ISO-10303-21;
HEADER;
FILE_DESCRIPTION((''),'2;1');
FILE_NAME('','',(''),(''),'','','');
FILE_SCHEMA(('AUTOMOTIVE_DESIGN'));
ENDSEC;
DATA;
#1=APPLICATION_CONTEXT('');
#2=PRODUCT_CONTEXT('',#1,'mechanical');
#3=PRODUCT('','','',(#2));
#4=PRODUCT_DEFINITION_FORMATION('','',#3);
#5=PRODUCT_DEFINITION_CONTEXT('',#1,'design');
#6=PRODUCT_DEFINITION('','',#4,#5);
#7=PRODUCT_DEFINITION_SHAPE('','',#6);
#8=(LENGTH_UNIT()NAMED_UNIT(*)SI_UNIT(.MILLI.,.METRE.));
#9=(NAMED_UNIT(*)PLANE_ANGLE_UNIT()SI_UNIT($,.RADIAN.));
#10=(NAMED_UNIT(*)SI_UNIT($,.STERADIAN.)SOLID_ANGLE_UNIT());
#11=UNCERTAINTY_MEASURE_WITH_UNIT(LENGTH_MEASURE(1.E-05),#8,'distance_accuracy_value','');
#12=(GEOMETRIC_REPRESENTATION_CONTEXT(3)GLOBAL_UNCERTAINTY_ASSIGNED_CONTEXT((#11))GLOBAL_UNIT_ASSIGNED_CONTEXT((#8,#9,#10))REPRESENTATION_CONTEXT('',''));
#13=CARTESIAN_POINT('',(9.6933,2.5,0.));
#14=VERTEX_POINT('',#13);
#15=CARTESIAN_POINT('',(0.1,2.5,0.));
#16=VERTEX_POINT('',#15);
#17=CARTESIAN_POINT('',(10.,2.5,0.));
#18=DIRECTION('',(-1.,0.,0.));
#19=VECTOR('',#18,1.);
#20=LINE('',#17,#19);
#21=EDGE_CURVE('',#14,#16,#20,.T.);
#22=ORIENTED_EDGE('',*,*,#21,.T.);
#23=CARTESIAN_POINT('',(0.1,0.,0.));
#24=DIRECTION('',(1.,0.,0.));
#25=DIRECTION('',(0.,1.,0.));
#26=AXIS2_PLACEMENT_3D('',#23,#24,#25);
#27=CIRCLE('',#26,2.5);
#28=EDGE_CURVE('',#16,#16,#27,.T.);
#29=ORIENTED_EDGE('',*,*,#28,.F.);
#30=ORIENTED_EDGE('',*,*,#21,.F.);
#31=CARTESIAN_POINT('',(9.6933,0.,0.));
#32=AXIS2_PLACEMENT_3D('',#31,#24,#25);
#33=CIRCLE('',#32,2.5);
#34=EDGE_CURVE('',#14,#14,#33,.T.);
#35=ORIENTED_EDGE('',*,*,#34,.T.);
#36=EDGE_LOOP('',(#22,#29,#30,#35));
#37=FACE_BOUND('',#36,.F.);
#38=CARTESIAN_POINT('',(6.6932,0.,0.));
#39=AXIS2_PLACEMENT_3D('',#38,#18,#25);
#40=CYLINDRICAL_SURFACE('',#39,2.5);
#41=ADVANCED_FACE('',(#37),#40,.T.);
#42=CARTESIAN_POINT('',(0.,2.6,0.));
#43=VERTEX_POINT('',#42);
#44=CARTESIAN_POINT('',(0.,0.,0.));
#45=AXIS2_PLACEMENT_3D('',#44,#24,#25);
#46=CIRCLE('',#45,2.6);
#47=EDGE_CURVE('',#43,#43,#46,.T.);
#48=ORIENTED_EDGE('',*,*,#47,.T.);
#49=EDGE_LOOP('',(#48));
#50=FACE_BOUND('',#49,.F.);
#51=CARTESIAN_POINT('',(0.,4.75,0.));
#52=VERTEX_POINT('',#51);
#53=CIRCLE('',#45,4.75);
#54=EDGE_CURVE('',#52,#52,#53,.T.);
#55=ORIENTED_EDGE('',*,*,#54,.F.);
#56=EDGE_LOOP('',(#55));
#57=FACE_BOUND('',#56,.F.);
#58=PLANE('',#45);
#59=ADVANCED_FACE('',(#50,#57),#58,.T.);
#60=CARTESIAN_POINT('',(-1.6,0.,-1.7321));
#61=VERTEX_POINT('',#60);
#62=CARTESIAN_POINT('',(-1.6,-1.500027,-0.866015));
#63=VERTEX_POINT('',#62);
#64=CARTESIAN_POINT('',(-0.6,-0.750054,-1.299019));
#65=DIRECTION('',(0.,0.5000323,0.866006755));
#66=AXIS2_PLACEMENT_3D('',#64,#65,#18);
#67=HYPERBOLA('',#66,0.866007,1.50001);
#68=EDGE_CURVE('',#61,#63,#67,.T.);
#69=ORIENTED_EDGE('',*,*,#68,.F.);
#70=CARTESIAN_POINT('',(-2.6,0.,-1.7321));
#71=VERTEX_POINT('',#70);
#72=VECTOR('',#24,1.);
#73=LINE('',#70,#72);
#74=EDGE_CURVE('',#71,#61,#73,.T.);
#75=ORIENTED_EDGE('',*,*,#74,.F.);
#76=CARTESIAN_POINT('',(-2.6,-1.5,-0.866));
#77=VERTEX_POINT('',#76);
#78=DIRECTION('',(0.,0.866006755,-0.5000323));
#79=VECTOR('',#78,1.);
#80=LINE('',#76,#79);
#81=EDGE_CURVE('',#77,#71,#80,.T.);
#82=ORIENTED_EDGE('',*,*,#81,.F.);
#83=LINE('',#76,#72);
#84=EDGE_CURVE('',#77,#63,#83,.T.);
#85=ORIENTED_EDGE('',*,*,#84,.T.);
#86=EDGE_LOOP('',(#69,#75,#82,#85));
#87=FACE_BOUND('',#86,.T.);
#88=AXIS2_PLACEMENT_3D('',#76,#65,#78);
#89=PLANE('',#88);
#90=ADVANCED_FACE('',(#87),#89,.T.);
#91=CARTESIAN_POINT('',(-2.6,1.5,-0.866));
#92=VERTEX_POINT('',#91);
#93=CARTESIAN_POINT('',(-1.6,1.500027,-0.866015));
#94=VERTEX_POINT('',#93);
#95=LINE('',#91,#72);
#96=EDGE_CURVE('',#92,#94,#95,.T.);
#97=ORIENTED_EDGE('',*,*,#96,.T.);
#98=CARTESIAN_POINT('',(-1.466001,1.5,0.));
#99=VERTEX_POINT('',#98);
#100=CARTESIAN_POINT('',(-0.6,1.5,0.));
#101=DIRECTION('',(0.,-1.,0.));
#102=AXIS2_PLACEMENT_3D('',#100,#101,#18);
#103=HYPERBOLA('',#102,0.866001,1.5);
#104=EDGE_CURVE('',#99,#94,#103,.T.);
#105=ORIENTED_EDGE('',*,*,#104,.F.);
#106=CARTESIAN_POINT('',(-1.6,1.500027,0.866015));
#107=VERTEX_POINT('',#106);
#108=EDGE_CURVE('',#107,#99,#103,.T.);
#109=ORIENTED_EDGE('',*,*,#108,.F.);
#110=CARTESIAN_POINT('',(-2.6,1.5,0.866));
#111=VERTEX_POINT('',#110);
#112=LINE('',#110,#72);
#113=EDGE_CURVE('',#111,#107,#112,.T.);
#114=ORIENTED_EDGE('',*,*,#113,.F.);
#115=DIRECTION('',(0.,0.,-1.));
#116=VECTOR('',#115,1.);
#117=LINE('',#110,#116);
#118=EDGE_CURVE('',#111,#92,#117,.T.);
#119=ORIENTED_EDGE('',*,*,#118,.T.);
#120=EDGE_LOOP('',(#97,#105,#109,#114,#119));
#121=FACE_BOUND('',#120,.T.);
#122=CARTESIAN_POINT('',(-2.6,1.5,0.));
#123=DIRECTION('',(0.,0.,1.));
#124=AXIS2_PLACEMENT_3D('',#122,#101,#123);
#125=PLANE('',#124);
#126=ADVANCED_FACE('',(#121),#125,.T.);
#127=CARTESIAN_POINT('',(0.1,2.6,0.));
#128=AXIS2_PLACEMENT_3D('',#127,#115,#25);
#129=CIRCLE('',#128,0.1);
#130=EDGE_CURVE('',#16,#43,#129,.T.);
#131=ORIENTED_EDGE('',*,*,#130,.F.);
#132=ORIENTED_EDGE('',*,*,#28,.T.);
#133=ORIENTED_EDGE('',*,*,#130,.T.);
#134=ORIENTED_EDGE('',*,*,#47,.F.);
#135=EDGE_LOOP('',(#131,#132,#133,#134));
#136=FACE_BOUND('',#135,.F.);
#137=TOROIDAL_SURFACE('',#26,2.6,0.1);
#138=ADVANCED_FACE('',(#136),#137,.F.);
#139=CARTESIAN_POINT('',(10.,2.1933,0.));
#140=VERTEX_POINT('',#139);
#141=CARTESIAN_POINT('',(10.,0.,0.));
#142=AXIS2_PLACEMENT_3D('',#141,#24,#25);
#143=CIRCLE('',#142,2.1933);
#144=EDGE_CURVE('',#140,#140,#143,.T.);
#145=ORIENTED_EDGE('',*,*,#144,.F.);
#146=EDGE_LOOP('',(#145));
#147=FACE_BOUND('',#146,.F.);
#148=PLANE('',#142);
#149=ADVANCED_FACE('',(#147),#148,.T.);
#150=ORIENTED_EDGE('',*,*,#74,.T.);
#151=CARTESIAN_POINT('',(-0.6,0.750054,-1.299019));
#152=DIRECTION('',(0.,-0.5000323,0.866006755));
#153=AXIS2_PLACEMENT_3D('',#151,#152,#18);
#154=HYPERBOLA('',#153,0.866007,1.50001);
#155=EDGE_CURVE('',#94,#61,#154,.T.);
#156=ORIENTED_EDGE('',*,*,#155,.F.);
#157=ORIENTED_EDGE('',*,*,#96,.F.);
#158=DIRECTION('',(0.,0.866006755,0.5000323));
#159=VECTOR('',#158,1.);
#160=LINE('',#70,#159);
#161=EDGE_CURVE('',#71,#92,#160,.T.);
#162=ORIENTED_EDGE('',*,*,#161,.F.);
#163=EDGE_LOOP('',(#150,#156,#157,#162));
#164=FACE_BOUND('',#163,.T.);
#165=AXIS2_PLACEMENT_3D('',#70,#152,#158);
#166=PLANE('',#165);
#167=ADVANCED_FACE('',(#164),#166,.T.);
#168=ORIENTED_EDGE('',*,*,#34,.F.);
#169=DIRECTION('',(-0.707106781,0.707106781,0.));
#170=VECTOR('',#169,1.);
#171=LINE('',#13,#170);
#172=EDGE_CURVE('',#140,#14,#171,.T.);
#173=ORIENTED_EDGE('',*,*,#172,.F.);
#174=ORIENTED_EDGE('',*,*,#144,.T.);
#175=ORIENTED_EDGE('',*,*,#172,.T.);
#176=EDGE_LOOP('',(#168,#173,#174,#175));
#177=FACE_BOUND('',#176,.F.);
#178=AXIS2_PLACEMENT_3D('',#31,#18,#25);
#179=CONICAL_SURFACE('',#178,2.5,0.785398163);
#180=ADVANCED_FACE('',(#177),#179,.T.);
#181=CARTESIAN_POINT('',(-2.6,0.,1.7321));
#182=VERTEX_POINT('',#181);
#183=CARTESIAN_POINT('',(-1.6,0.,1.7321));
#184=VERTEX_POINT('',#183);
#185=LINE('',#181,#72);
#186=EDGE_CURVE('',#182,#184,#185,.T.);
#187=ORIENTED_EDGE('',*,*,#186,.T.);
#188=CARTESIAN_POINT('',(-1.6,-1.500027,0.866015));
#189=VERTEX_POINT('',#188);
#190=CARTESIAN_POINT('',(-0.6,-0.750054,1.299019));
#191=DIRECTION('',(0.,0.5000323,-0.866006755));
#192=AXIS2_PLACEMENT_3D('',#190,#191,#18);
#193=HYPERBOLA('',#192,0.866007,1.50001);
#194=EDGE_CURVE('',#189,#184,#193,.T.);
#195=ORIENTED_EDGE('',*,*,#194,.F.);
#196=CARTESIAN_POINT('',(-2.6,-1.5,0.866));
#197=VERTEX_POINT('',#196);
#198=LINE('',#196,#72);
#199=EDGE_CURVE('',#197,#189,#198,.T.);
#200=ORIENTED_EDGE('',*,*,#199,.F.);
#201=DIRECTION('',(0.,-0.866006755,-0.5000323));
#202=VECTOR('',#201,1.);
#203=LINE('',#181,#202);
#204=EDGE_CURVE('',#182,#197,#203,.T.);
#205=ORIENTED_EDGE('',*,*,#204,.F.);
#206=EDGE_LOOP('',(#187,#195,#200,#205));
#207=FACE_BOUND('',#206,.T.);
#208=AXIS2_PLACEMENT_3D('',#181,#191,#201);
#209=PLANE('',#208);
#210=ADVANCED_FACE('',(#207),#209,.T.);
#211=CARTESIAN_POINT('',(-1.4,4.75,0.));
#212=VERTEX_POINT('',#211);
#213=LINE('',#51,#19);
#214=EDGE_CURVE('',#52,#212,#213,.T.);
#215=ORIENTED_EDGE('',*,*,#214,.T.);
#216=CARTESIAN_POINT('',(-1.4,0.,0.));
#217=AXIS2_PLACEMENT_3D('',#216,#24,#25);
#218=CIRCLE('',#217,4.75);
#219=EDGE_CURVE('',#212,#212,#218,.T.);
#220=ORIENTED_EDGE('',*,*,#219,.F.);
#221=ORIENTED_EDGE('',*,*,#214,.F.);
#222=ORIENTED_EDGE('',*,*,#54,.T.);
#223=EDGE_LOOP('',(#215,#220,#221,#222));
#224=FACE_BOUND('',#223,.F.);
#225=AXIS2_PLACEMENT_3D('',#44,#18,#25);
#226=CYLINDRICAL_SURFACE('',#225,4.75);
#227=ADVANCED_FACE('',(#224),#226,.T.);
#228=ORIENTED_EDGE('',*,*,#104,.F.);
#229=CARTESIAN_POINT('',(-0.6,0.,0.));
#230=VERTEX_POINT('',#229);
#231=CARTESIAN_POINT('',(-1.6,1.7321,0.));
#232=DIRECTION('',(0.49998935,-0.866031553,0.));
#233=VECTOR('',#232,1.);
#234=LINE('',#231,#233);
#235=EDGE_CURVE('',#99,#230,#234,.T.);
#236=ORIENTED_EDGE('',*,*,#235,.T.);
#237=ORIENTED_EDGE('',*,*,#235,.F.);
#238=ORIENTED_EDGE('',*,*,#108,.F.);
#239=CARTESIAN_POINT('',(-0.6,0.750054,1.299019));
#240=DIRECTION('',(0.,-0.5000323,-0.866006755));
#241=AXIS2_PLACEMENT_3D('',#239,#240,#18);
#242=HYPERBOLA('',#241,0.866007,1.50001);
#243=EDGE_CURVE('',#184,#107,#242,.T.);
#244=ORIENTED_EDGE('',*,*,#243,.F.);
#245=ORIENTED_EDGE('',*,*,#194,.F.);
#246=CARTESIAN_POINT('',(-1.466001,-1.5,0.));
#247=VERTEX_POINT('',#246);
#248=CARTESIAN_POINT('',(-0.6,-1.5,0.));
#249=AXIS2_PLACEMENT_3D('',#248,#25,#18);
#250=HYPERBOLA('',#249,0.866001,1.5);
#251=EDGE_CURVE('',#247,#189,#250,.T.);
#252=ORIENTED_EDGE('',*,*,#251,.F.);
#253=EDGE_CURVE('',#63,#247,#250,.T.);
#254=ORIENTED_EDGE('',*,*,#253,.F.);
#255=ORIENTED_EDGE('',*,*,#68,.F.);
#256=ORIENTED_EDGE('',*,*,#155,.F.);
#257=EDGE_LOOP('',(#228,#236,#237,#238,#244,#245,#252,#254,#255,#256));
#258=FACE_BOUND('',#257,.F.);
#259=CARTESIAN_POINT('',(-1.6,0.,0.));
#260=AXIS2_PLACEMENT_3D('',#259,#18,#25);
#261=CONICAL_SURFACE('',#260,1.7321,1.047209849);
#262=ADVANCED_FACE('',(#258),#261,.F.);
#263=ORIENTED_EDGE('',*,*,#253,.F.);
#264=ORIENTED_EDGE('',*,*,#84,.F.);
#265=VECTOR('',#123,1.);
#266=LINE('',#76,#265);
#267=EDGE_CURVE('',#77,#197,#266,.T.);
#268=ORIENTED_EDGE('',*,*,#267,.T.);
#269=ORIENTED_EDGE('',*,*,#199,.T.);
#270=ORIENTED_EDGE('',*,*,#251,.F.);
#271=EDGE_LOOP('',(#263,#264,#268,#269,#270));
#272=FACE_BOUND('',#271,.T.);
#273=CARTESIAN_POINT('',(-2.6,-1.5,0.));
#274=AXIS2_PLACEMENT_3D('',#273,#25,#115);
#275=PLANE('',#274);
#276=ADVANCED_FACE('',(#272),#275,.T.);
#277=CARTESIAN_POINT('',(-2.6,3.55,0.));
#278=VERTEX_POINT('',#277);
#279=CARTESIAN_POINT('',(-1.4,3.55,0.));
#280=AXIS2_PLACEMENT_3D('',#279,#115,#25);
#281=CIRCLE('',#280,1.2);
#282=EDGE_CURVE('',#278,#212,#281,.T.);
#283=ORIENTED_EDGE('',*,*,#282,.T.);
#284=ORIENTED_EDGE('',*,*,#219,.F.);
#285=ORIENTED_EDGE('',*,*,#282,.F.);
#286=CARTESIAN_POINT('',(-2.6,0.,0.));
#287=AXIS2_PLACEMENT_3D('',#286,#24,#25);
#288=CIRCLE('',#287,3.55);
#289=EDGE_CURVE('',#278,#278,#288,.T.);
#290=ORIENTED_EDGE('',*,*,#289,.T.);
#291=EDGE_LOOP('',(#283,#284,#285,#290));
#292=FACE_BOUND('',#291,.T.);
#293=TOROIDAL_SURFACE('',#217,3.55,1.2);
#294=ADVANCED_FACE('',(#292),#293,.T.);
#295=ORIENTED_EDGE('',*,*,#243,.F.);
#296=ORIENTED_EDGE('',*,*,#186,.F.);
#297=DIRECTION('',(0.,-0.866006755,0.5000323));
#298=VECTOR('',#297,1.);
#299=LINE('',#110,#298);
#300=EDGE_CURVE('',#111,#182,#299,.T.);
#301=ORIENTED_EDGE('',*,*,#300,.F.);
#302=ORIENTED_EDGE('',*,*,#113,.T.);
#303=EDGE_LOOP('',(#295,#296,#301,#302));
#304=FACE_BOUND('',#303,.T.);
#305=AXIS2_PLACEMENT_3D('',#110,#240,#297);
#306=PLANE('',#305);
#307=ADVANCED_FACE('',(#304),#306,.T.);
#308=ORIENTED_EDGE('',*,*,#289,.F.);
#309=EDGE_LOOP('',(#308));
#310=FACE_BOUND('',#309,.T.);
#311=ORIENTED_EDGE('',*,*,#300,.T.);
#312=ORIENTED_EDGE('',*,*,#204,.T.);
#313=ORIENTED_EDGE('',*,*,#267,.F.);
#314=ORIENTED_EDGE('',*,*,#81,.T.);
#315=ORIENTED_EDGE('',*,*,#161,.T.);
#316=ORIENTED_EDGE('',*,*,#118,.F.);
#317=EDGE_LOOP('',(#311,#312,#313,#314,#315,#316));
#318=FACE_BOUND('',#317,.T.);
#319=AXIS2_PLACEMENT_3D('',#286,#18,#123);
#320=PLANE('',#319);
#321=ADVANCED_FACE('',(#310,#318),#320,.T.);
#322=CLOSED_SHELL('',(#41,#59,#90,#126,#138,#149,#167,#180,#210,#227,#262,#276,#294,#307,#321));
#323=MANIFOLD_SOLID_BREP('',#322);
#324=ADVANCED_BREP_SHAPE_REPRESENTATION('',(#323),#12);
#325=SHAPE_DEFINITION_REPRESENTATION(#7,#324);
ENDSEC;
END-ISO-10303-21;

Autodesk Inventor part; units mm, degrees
ref_plane "YZ Plane" through (0, 0, 0) normal (1, 0, 0) x (0, 1, 0)
ref_plane "XZ Plane" through (0, 0, 0) normal (0, 1, 0) x (-1, 0, 0)
sketch "Sketch1" plane through (0, 0, 0) normal (0, 0, 1) x (1, 0, 0)
  line L0 (-0.6, 0) -> (10, 0)
  line L1 (10, 0) -> (10, 2.5)
  line L2 (10, 2.5) -> (7, 2.5)
  line L3 (7, 2.5) -> (6.6932, 2.5)
  line L4 (6.6932, 2.5) -> (0, 2.5)
  line L5 (0, 2.5) -> (0, 4.75)
  line L6 (0, 4.75) -> (-2.6, 4.75)
  line L7 (-2.6, 4.75) -> (-2.6, 1.7321)
  line L8 (-2.6, 1.7321) -> (-1.6, 1.7321)
  line L9 (-1.6, 1.7321) -> (-0.6, 0)
  line L10 (-5.12, 0) -> (12.52, 0) projected
  line L11 (0, -0.95) -> (0, 5.7) projected
  line L12 (7, 2.5) -> (0, 2.5) construction
  dimension "d1" = 3
  dimension "d2" = 0.3068
  dimension "d3" = 2.6
  dimension "d4" = 1
  dimension "d5" = 60
  dimension "d6" = 5
  dimension "d7" = 5
  dimension "d8" = 3.4641
  dimension "d9" = 9.5
  dimension "d26" = 10
revolve "Body" add sketch "Sketch1" angle 360 about axis through (-0.6, 0, 0) along (1, 0, 0)
sketch "Sketch2" plane through (-2.6, 0, 0) normal (-1, 0, 0) x (0, 0, 1)
  circle A0 centre (0, 0) radius 1.7321 projected
  line L0 (0, -6.65) -> (0, 6.65) projected
  line L1 (-6.65, 0) -> (6.65, 0) projected
  line L2 (1.7321, 0) -> (0.866, -1.5)
  line L3 (0.866, -1.5) -> (-0.866, -1.5)
  line L4 (-0.866, -1.5) -> (-1.7321, 0)
  line L5 (-1.7321, 0) -> (-0.866, 1.5)
  line L6 (-0.866, 1.5) -> (0.866, 1.5)
  line L7 (0.866, 1.5) -> (1.7321, 0)
extrude "Slot" add sketch "Sketch2" against normal up to next contours L7 A0 | A0 L2 | L6 L0 A0 | A0 L0 L3 | L0 L6 A0 | A0 L3 L0 | L4 A0 | A0 L5
fillet "Fillet1" radius 1.2 1 edges at (-2.6, -4.75, 0)
chamfer "Chamfer1" distance 0.3067 distance2 0.3067 1 edges at (10, -2.5, 0) measured on face at (10, -0.7741, -0.6858)
ref_plane "Work Plane1" through (29, 0, 0) normal (0, -1, 0) x (1, 0, 0)
fillet "Fillet2" radius 0.1 1 edges at (0, -2.5, 0)
thread "Thread2" size "M5x0.8" class "6g" standard "ANSI Metric M Profile" full length
equation "\"d15\" = -0.5 * SPD + 0.5 * GD"
equation "\"d16\" = GUL"
equation "\"GD\" = NND"
equation "\"NLG\" = 6"
equation "\"GEL\" = 4.5"
equation "\"KOD\" = 5.7"
equation "\"KOH\" = 1.65"
equation "\"INTI\" = 1.04"
equation "\"GAL\" = 0.61345 * PTC"
equation "\"GUL\" = 0.61345 * PTC"
equation "\"BDM\" = NND"
equation "\"SW\" = 2"
equation "\"RR\" = 1.45"
equation "\"SPD\" = NND - 1.2269 * PTC"
equation "\"R\" = 0.3"
equation "\"TOA\" = 30deg"
equation "\"GD1\" = THREADDIA - 1.2269 * PTC"
equation "\"THREADDIA\" = 3"
equation "\"PTC\" = 0.5"
equation "\"NND\" = 3"
equation "\"KOH1\" = 0.2"
equation "\"E0\" = 2.303"
properties part number "M5x10 Bolt" material "Stainless Steel"
